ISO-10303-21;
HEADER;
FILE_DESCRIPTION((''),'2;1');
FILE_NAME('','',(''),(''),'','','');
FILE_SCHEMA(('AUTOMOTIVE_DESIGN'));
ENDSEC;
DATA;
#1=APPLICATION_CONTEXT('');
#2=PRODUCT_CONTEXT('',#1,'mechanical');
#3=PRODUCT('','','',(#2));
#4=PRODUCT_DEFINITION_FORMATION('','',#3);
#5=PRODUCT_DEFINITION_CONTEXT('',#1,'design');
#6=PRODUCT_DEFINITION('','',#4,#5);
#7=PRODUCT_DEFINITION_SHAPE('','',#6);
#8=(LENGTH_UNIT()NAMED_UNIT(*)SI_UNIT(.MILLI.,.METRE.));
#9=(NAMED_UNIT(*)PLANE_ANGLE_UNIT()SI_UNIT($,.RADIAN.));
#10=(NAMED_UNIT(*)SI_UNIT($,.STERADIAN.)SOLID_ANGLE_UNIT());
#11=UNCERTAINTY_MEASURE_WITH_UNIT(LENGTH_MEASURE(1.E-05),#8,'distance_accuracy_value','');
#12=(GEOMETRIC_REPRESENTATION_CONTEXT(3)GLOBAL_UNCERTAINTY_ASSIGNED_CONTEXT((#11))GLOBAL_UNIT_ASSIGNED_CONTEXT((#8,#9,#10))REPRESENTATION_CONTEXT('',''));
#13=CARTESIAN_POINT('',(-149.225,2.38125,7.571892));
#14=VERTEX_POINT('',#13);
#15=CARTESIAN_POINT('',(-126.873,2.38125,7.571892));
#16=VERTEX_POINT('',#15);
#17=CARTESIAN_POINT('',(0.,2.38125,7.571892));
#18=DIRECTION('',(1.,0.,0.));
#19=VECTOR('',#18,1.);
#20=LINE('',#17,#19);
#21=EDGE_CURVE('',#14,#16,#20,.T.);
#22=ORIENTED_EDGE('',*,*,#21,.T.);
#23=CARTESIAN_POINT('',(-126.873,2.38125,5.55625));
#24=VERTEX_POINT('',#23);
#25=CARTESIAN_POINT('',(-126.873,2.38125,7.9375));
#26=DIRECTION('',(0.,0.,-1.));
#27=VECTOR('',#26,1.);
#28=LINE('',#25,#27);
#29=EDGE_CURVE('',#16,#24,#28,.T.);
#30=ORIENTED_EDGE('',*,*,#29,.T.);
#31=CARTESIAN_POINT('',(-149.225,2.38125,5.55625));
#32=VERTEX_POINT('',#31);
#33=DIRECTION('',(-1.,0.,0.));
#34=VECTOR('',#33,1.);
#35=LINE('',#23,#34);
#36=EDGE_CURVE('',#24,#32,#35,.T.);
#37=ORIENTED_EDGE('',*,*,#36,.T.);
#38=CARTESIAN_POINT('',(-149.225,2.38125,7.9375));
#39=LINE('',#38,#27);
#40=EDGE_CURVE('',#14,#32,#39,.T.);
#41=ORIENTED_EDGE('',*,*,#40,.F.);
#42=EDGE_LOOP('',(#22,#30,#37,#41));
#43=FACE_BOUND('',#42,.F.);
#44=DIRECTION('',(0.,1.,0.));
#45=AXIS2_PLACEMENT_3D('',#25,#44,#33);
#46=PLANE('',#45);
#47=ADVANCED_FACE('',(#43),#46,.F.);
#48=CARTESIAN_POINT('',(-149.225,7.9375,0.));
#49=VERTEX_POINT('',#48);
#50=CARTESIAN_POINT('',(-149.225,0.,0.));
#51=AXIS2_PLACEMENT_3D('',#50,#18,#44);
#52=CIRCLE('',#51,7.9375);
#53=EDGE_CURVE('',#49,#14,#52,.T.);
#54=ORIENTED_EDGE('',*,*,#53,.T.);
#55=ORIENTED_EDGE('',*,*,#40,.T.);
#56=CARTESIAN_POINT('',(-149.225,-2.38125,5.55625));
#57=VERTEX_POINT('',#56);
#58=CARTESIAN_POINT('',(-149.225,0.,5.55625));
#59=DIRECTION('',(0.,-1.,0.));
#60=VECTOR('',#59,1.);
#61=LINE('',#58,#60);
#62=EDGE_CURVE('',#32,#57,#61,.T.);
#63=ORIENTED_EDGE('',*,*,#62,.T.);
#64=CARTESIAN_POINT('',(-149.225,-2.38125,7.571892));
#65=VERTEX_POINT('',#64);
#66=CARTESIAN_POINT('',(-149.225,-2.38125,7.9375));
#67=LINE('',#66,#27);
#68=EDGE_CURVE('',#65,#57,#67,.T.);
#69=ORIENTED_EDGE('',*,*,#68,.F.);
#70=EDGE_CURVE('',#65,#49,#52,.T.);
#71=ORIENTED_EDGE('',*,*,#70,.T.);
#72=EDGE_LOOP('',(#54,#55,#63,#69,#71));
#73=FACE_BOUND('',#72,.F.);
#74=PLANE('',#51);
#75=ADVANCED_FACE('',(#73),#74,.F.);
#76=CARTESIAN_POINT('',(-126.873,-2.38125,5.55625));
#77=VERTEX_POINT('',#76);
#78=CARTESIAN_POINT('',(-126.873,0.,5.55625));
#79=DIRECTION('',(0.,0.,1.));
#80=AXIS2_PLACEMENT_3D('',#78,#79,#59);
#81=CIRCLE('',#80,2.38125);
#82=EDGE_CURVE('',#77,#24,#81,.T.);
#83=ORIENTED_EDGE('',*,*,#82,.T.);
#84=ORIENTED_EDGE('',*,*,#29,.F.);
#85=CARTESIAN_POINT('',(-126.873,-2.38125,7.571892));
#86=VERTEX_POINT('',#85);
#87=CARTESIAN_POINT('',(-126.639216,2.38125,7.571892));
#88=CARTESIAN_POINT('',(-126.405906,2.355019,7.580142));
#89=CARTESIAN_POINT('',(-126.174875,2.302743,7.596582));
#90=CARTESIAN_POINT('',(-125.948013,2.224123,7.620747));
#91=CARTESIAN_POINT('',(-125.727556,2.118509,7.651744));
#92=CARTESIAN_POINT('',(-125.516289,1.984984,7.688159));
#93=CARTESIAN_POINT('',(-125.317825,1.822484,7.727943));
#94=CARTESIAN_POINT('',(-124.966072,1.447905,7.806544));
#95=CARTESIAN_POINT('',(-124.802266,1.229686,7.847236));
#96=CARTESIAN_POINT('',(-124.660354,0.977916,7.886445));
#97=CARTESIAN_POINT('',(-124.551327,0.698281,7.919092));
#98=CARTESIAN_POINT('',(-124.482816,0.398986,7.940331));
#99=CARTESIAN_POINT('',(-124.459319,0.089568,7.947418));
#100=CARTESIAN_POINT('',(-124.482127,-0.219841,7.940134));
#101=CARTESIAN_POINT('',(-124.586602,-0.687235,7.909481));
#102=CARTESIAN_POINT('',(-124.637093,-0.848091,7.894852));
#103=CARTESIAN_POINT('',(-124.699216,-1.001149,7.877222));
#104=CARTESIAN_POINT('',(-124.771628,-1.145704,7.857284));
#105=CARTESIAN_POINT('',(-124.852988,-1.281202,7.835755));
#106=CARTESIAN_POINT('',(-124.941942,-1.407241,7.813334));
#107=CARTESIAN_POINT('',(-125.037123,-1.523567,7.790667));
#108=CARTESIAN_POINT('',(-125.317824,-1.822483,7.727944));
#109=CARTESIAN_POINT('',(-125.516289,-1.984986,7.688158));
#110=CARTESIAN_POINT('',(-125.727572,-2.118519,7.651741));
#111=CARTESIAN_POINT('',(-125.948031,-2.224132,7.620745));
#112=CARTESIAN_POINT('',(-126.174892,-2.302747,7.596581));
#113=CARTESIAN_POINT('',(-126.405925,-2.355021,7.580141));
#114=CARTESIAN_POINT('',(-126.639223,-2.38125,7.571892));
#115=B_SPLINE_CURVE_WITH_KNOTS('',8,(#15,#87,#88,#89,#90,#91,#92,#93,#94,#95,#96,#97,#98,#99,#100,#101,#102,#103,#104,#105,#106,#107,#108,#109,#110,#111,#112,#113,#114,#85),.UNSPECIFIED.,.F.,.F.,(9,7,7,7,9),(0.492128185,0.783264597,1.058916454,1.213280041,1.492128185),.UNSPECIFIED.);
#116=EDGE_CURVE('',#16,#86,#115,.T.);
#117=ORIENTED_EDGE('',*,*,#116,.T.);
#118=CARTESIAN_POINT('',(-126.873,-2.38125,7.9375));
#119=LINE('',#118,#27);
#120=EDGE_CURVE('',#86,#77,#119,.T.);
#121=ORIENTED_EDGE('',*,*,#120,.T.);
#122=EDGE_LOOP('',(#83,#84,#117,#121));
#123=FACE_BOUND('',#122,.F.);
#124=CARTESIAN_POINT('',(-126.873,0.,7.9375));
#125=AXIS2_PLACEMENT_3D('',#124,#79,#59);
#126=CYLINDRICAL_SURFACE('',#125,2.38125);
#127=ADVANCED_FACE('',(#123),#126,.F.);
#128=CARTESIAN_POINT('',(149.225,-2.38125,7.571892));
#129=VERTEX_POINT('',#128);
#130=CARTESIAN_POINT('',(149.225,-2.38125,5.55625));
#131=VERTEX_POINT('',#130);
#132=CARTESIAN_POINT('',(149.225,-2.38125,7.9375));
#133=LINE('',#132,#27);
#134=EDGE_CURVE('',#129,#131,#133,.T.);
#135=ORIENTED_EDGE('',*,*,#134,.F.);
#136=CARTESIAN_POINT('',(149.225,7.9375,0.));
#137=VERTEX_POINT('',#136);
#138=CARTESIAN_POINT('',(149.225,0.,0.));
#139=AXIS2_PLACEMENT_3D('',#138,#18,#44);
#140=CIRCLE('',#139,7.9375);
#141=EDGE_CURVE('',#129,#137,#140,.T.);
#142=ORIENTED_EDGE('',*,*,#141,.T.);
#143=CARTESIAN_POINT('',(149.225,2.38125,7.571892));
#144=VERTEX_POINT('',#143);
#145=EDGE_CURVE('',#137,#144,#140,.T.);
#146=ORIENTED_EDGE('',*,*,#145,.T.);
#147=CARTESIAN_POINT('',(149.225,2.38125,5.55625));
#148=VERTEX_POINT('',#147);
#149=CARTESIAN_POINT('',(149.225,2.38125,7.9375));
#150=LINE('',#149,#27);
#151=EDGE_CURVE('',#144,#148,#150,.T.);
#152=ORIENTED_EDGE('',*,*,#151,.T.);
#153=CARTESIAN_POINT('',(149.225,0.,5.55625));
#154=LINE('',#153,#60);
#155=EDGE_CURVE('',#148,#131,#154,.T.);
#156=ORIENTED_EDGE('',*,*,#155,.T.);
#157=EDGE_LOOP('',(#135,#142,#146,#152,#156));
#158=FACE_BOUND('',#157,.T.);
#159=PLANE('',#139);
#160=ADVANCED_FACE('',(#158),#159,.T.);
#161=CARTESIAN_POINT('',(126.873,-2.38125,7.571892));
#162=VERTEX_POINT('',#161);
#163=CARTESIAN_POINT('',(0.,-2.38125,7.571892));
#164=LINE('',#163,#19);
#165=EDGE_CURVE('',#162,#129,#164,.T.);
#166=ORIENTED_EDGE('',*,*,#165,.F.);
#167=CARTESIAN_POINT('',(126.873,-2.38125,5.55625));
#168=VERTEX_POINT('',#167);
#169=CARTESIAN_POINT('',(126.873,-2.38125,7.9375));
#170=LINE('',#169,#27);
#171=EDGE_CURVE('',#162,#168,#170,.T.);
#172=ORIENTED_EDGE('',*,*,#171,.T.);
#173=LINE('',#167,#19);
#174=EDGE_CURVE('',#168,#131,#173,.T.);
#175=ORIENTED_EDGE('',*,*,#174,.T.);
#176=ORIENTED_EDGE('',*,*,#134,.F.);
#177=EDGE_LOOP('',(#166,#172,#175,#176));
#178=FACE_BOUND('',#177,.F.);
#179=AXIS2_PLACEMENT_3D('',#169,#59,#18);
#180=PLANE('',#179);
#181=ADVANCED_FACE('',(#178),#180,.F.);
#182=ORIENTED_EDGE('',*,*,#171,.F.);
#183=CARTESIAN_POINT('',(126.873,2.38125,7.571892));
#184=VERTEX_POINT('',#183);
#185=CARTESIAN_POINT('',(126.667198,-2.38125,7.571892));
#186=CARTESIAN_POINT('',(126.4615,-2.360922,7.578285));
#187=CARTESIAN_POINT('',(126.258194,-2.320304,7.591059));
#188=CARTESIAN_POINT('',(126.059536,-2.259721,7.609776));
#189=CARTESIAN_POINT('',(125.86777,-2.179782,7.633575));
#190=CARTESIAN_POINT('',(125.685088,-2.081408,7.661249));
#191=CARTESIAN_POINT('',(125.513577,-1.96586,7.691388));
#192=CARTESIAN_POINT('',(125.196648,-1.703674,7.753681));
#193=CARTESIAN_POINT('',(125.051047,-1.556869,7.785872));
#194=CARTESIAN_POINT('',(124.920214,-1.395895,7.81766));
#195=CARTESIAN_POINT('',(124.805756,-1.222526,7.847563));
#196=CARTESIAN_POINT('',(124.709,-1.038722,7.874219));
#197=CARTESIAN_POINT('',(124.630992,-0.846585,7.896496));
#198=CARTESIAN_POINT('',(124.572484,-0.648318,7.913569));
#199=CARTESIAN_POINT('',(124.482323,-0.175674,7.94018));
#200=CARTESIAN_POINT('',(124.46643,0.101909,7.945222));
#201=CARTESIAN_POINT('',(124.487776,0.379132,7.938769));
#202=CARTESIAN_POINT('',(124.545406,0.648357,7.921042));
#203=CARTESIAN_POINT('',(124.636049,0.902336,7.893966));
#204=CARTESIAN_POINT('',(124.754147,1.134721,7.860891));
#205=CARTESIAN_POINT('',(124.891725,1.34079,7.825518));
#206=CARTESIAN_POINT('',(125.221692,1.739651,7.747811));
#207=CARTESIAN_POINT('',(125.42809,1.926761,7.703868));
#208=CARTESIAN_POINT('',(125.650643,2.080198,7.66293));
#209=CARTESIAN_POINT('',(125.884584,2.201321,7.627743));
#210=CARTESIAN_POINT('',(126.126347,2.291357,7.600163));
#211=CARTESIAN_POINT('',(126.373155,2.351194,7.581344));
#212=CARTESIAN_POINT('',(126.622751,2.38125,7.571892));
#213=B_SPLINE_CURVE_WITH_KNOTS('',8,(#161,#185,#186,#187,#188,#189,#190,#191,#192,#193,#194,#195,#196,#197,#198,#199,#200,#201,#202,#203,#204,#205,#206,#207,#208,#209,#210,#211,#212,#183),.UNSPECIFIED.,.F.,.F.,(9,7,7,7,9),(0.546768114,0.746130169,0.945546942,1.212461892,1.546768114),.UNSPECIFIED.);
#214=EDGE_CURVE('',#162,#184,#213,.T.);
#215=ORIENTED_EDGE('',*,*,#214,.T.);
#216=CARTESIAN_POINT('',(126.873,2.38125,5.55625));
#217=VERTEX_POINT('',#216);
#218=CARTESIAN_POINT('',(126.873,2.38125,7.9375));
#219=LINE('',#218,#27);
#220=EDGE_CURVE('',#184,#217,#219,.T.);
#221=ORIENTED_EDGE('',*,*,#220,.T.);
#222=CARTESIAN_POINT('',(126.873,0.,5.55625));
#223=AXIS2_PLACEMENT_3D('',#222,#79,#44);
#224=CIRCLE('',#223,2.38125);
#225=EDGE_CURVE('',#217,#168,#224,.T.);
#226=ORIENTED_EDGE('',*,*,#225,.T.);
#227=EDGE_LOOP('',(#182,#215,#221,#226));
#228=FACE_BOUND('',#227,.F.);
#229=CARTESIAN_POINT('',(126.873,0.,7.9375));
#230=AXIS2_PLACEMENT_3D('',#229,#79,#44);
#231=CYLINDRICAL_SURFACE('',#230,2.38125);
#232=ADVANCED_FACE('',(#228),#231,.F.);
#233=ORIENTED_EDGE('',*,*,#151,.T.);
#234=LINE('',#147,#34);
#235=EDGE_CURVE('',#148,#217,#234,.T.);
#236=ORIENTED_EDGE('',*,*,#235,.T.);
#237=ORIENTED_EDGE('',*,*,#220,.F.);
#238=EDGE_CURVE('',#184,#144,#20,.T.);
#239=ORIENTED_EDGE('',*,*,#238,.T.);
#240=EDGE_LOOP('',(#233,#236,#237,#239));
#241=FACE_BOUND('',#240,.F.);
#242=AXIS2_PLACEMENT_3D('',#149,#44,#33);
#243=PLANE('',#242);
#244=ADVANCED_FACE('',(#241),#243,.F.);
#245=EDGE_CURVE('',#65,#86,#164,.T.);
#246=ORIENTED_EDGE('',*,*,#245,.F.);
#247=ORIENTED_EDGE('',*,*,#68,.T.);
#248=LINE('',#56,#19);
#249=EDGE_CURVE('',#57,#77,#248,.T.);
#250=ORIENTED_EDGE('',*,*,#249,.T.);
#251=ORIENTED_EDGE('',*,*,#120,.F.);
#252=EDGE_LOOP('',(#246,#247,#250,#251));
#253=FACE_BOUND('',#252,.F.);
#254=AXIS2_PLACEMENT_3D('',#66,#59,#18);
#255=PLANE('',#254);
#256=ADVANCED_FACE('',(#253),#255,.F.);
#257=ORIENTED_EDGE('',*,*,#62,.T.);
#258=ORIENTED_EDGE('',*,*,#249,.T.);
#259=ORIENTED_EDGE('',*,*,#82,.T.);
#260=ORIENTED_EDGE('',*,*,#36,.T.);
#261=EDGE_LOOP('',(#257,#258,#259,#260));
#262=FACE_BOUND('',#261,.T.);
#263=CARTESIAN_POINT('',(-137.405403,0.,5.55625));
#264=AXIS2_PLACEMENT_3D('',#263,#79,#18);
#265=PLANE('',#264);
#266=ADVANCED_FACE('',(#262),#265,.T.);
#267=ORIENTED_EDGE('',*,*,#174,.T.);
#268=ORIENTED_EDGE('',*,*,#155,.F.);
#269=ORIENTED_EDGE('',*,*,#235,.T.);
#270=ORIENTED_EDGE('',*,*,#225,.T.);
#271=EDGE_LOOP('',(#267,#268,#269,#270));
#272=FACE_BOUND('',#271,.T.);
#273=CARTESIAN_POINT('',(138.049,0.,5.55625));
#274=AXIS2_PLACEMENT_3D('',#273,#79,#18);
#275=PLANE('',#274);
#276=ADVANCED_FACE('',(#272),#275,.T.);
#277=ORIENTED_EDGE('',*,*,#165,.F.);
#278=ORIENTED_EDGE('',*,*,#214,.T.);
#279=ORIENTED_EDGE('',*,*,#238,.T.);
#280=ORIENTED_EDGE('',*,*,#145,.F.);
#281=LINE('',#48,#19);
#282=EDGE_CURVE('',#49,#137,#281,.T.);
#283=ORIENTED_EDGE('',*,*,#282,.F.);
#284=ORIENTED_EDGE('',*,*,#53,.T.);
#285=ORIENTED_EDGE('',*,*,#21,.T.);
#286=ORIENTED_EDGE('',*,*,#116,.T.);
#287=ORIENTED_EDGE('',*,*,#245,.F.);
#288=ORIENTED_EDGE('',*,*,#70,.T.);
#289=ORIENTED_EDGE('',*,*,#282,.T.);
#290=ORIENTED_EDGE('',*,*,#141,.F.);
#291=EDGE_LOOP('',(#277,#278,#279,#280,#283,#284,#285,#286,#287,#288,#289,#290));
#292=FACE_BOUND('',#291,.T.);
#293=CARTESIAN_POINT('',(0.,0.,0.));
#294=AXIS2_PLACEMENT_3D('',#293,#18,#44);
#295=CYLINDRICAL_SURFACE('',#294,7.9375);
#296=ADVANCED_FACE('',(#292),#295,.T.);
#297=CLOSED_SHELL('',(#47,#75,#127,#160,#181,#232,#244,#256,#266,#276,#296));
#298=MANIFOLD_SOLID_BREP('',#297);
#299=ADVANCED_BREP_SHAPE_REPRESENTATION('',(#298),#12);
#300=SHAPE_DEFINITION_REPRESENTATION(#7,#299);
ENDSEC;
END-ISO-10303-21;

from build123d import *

# Parameters (mm, degrees)
F0_R     = 7.9375
F1_DEPTH = 149.225
F4_DEPTH = 2.38125


with BuildPart() as f1:
    # F0 (on Right) → F1 (new body, symmetric)
    with BuildSketch(Plane.YZ):
        Circle(F0_R)
    extrude(amount=F1_DEPTH, both=True)

    # F3 (on offset) → F4 (cut)
    with BuildSketch(Plane.XY.offset(7.9375)):
        with BuildLine():
            ThreePointArc((149.225, -2.38125), (151.60625, 0), (149.225, 2.38125))
            Line((149.225, 2.38125), (126.873, 2.38125))
            ThreePointArc((126.873, 2.38125), (124.49175, 0), (126.873, -2.38125))
            Line((126.873, -2.38125), (149.225, -2.38125))
        make_face()
        with BuildLine():
            Line((-149.225, -2.38125), (-126.873, -2.38125))
            ThreePointArc((-126.873, -2.38125), (-124.49175, 0), (-126.873, 2.38125))
            Line((-126.873, 2.38125), (-149.225, 2.38125))
            Line((-149.225, 2.38125), (-149.225, 0))
            Line((-149.225, 0), (-149.225, -2.38125))
        make_face()
        with BuildLine():
            ThreePointArc((-149.225, 2.38125), (-151.60625, 0), (-149.225, -2.38125))
            Line((-149.225, -2.38125), (-149.225, 0))
            Line((-149.225, 0), (-149.225, 2.38125))
        make_face()
    extrude(amount=-F4_DEPTH, mode=Mode.SUBTRACT)


solid = f1.part
